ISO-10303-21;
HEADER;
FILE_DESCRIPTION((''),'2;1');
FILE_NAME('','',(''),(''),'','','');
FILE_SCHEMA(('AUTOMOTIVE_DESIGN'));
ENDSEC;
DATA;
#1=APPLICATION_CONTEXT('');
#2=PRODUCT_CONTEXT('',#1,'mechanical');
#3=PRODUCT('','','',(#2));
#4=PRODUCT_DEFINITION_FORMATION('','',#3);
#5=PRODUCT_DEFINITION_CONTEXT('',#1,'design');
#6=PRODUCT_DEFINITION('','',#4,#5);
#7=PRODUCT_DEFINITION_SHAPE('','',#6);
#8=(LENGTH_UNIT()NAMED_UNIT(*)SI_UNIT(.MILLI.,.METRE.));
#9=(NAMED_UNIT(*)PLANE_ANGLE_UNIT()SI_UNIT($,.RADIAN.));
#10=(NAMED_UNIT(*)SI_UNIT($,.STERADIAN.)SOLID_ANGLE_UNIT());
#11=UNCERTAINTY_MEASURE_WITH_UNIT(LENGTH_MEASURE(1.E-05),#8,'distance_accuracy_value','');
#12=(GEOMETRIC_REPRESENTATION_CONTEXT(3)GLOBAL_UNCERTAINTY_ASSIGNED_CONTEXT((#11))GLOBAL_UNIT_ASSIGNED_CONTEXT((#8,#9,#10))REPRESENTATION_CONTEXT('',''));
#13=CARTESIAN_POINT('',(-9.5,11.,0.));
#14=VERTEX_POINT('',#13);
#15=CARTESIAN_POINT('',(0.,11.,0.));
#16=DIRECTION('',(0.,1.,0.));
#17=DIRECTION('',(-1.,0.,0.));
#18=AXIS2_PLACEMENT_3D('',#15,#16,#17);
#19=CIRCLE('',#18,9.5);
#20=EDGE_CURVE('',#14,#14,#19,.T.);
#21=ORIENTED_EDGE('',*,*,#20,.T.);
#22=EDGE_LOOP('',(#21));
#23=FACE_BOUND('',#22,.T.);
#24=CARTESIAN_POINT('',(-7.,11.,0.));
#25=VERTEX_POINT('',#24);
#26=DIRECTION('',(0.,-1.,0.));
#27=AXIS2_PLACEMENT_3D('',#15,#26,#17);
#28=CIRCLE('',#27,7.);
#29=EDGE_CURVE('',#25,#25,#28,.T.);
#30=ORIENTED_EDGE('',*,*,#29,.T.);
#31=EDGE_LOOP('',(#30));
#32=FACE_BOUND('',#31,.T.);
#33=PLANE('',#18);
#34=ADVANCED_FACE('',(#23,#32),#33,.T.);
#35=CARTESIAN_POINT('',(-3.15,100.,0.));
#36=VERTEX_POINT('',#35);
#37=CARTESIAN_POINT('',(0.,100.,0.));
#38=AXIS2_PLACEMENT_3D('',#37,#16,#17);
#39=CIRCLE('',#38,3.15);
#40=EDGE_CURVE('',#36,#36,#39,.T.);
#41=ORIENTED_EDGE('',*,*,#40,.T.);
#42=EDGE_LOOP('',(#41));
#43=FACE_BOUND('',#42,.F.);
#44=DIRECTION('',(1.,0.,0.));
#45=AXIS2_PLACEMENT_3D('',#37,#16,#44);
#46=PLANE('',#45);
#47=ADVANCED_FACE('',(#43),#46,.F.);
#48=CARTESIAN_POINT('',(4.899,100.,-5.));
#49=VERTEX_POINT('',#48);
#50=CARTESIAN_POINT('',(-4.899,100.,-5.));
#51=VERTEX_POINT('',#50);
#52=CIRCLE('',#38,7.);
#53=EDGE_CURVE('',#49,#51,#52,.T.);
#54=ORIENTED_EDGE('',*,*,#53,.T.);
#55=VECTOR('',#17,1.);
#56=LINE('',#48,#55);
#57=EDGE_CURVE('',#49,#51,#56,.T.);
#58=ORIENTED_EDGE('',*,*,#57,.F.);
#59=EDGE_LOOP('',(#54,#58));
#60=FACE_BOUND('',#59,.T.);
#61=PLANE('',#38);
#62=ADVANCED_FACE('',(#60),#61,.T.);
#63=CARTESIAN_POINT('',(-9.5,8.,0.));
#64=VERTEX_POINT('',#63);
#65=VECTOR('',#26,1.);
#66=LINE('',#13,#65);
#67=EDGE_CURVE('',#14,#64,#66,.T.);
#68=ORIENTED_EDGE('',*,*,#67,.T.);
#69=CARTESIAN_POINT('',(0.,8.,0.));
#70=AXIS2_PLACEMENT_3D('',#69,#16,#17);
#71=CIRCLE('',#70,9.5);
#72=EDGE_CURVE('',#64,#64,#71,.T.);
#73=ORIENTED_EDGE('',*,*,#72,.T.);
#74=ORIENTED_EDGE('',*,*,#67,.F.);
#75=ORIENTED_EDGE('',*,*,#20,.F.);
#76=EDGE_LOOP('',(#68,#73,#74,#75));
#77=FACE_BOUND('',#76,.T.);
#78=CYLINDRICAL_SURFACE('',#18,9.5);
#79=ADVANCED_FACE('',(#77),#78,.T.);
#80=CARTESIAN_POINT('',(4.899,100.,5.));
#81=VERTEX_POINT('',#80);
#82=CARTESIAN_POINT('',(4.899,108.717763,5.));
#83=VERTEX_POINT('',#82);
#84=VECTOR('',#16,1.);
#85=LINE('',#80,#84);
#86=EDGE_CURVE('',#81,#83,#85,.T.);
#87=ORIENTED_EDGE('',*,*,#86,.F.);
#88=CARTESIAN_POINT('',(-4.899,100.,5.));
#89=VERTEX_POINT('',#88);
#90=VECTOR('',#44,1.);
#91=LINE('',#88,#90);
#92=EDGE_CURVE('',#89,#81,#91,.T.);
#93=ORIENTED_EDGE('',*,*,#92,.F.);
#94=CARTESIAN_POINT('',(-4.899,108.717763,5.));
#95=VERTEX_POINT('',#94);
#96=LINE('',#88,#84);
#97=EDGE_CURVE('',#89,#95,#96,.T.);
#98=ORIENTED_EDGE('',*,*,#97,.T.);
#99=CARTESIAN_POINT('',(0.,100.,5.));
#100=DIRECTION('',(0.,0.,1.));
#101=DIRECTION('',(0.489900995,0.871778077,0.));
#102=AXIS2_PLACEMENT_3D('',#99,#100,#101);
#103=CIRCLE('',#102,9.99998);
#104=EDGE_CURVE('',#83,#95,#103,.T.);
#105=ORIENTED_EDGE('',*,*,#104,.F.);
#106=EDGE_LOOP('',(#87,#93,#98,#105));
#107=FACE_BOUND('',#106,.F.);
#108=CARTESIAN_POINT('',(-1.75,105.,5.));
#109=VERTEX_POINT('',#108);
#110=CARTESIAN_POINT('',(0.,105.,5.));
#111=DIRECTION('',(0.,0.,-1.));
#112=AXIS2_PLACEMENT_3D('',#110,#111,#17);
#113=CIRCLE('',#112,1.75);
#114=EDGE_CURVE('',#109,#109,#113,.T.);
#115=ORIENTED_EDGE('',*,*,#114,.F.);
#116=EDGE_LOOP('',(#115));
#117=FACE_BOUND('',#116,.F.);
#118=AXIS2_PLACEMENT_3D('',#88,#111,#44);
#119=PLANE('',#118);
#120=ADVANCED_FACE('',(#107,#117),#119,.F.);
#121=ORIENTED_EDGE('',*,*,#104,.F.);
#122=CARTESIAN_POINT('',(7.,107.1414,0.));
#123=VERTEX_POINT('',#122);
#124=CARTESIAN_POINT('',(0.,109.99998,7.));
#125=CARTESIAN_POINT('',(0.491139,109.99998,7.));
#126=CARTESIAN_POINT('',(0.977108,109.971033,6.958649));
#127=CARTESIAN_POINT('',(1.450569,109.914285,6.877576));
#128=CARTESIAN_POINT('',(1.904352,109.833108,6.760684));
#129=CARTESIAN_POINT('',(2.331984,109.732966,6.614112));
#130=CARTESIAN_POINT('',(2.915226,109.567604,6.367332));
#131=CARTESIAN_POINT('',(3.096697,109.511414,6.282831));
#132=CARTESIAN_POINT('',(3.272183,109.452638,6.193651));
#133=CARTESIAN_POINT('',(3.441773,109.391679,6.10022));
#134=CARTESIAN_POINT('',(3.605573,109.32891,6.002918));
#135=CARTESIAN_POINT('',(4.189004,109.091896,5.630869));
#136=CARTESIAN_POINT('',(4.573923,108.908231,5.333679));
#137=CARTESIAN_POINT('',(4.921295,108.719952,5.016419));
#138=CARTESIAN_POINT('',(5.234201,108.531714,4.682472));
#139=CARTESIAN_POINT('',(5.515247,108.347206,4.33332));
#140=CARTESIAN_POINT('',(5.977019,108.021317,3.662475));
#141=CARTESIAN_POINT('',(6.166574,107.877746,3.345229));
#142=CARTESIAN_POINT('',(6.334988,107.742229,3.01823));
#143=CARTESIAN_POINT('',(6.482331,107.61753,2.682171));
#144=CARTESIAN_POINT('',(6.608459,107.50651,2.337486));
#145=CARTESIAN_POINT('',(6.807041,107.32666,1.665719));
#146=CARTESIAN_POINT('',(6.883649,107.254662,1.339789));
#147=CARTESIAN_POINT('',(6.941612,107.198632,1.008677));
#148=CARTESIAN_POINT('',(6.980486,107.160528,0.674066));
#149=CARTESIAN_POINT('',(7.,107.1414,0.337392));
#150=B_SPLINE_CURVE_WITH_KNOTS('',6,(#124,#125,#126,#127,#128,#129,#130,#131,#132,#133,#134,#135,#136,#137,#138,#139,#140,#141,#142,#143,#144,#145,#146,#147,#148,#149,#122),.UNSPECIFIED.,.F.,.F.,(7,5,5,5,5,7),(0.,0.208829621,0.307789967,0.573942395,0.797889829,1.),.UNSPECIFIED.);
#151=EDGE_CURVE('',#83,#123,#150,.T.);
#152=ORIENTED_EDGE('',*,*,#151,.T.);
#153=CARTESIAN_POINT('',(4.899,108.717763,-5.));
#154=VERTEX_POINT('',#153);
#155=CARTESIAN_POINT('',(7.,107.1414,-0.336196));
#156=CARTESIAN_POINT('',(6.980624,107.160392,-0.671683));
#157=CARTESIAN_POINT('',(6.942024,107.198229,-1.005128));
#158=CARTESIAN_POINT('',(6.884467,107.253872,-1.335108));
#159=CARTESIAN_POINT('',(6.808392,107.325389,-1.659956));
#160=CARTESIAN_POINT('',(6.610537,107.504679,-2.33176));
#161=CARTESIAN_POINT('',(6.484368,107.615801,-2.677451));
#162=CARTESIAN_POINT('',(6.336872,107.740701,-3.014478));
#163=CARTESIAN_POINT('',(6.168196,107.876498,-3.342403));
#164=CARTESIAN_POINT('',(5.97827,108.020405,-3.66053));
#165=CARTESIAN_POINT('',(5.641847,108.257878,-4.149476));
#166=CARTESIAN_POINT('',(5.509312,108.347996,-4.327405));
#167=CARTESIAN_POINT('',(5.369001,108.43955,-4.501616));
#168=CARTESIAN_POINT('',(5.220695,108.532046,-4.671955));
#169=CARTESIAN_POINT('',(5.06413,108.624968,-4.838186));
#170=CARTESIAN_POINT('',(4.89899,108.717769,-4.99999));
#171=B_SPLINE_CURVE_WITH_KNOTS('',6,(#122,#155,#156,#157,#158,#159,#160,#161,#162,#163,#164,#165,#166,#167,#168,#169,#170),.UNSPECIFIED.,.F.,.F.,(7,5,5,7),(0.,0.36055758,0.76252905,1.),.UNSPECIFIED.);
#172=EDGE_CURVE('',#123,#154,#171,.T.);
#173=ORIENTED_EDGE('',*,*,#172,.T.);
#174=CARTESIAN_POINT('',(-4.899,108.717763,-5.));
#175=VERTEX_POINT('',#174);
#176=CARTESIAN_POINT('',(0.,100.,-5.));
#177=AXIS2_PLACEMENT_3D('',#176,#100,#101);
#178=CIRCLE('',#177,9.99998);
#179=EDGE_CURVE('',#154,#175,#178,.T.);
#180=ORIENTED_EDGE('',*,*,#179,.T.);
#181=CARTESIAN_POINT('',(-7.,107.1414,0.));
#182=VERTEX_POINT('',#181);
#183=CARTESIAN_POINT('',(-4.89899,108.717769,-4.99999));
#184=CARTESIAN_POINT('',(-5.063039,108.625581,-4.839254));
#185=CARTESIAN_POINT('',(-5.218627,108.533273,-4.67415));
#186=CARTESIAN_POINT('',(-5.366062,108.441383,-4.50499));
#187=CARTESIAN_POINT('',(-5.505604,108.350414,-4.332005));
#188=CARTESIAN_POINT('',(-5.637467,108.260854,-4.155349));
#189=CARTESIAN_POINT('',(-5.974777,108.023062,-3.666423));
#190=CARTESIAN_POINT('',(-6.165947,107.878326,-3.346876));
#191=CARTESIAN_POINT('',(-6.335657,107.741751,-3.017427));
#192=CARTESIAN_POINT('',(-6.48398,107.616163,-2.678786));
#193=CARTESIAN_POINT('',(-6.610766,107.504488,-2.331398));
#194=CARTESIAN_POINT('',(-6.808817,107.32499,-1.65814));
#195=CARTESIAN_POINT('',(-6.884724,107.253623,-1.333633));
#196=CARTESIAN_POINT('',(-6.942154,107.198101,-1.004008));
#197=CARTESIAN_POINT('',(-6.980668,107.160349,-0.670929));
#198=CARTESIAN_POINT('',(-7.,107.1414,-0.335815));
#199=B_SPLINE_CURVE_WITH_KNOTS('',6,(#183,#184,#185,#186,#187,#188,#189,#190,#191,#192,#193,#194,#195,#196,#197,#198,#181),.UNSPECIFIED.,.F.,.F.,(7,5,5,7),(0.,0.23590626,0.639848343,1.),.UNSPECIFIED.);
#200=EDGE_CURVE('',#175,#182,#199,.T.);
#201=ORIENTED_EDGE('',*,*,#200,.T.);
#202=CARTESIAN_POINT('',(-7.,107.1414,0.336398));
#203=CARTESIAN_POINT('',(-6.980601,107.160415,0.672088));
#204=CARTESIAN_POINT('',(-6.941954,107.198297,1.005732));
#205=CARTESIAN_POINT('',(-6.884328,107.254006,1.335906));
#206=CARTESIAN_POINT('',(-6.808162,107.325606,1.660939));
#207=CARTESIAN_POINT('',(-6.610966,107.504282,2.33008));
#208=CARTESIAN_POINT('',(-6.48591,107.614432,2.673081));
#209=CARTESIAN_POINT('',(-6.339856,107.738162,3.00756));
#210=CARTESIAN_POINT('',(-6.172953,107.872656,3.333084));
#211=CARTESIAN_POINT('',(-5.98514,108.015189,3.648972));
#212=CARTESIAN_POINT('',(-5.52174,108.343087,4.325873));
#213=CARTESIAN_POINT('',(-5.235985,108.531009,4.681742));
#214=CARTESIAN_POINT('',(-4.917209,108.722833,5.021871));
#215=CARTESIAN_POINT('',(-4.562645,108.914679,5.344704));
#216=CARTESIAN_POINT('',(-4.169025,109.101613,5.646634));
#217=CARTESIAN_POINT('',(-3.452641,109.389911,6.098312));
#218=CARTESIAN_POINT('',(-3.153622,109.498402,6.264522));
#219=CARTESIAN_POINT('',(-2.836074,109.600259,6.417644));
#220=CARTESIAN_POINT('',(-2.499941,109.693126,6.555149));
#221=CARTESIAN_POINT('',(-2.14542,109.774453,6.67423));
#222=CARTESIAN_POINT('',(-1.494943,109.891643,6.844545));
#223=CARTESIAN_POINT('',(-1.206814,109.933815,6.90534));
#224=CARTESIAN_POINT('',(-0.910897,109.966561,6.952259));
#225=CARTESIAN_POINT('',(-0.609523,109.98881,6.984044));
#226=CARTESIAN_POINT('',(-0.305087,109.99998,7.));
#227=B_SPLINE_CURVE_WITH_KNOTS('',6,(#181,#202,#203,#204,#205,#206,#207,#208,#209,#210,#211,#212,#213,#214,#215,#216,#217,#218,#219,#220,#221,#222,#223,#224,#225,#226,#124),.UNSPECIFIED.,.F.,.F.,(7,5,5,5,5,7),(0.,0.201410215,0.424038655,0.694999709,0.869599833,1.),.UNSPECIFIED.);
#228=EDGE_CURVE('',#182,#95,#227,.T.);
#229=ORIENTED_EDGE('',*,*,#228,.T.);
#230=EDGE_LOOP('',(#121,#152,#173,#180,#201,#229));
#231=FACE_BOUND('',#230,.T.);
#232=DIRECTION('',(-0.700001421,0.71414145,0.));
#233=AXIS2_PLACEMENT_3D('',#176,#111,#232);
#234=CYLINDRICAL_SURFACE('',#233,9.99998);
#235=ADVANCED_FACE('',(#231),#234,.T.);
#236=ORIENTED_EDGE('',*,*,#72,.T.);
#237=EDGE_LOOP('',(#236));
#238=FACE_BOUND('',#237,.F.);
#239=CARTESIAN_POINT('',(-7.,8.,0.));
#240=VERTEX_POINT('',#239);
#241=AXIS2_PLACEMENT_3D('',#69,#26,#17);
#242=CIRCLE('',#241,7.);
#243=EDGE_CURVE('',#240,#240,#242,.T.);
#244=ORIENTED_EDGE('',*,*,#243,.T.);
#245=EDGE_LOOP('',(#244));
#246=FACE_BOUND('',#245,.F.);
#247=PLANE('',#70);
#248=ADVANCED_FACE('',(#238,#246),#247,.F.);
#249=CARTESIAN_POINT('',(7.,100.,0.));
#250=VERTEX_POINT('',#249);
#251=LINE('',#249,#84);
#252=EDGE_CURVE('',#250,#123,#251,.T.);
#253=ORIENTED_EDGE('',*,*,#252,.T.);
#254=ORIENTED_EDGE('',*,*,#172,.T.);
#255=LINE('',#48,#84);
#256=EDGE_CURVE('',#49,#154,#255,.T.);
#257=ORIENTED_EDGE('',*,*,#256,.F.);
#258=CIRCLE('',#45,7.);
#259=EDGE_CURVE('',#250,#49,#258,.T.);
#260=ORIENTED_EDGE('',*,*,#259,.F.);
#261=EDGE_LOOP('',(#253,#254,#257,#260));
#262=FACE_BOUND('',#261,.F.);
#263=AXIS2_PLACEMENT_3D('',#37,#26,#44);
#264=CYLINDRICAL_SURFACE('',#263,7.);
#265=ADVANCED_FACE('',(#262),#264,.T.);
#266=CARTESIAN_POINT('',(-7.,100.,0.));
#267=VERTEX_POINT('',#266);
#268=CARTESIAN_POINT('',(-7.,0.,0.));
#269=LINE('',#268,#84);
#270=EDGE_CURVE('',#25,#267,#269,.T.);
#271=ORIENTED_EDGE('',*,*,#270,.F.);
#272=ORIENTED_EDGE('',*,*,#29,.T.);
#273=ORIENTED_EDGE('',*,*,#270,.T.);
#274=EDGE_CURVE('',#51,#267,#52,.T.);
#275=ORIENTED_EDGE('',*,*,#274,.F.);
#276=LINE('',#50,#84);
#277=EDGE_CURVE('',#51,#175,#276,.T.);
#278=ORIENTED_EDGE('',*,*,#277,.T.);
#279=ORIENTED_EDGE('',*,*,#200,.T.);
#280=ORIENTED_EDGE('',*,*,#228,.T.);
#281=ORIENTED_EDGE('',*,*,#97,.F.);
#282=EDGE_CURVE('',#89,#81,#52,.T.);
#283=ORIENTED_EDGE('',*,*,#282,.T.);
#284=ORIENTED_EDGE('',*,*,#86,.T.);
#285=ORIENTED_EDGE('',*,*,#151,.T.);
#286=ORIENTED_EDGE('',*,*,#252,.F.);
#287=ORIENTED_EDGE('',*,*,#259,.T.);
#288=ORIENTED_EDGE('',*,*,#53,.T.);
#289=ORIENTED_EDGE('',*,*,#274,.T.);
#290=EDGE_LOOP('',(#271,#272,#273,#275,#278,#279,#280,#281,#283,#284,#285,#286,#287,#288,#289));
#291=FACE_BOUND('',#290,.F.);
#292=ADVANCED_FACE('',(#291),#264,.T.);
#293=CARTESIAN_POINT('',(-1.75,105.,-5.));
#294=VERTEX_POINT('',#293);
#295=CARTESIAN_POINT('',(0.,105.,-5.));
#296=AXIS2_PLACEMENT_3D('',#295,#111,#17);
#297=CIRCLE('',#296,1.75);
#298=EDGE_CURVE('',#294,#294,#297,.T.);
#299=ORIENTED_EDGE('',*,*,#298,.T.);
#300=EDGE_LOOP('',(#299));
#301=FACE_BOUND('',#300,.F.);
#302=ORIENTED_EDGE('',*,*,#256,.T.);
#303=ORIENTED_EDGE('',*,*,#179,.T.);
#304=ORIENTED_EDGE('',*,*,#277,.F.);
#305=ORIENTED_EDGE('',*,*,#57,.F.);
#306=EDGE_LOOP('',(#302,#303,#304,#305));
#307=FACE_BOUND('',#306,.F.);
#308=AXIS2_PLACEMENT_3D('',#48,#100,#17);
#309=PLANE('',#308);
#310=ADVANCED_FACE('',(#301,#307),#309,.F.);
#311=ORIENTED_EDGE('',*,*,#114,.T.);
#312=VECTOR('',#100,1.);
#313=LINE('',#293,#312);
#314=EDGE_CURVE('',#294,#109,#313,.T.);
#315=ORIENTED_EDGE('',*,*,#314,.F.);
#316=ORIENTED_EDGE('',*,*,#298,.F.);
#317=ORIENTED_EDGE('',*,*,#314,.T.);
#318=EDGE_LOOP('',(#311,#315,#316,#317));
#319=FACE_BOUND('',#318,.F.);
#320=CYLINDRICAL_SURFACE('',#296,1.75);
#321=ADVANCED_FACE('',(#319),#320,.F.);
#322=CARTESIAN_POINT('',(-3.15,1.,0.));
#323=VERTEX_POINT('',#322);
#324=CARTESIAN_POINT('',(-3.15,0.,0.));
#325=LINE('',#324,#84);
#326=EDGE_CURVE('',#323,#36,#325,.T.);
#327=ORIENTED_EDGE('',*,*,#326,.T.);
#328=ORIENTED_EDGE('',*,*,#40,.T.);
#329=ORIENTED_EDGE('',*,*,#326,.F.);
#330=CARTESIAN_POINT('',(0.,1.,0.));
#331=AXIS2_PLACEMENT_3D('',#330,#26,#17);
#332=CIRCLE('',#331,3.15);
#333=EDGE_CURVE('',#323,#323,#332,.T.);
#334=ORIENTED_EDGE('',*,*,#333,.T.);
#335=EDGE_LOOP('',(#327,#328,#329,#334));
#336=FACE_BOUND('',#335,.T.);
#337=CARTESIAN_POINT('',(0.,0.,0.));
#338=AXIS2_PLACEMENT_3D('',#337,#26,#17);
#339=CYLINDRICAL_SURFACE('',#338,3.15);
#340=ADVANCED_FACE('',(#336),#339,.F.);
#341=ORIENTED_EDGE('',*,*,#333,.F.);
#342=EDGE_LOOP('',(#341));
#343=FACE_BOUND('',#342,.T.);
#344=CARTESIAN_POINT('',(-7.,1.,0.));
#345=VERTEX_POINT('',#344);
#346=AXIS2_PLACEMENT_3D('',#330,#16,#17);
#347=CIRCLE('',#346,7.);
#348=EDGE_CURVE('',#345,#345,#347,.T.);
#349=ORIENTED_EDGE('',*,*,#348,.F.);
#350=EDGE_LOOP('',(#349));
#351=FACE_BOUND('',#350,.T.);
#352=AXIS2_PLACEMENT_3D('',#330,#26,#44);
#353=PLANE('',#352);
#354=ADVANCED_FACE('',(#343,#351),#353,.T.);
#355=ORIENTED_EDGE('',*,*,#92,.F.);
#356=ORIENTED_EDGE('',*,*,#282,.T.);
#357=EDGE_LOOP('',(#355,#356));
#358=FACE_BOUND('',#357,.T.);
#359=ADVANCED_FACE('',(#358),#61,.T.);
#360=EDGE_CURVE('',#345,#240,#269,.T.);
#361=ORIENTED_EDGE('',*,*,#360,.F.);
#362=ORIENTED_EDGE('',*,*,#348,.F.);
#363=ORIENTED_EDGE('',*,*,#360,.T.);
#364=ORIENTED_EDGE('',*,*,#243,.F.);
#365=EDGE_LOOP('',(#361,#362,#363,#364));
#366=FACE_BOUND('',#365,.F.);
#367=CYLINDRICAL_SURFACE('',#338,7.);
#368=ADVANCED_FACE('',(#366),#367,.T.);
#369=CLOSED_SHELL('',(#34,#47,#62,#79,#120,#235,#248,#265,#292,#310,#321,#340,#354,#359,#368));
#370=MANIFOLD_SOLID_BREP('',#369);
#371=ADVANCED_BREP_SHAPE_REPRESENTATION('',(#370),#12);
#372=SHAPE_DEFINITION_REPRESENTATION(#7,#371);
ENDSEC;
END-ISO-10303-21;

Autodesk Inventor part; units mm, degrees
ref_plane "YZ Plane" through (0, 0, 0) normal (1, 0, 0) x (0, 1, 0)
ref_plane "XY Plane" through (0, 0, 0) normal (0, 0, 1) x (1, 0, 0)
sketch "草圖1" plane through (0, 0, 0) normal (0, 1, 0) x (-1, 0, 0)
  circle A0 centre (0, 0) radius 3.15
  circle A1 centre (0, 0) radius 7
  dimension "d0" = 6.3
  dimension "d1" = 14
extrude "擠出1" add sketch "草圖1" along normal blind 100
sketch "草圖2" plane through (0, 100, 0) normal (0, 1, 0) x (1, 0, 0)
  line L0 (0, 0) -> (0, -5) construction
  circle A0 centre (0, 0) radius 7 projected
  line L1 (-4.899, -5) -> (4.899, -5)
  line L2 (0, 0) -> (0, 5) construction
  line L3 (4.899, 5) -> (-4.899, 5)
  point P0 (-5.3619, -4.5)
  point P1 (-5.3619, 4.5)
  point P2 (5.3619, 4.5)
  dimension "d4" = 5
  dimension "d38" = 5
ref_plane "工作平面1" through (0, 50, 0) normal (0, 1, 0) x (-1, 0, 0)
ref_plane "工作平面2" through (0, 11, 0) normal (0, 1, 0) x (-1, 0, 0)
sketch "草圖10" plane through (0, 11, 0) normal (0, 1, 0) x (-1, 0, 0)
  circle A0 centre (0, 0) radius 3.15
  circle A1 centre (0, 0) radius 9.5
  dimension "d30" = 6.3
  dimension "d31" = 19
extrude "擠出9" add sketch "草圖10" against normal blind 3
extrude "擠出11" add sketch "草圖2" along normal blind 10 contours A0 L1 L3
sketch "草圖12" plane through (4.899, 100, -5) normal (0, 0, -1) x (-1, 0, 0)
  circle A0 centre (4.899, 5) radius 1.75
  line L0 (9.798, 0) -> (0, 0) projected
  arc A1 (11.899, 7.1414) -> (-2.101, 7.1414) centre (4.899, 0) ccw
  line L1 (-2.101, -89) -> (-2.101, 10) projected
  line L2 (-2.101, 7.1414) -> (-2.101, 0)
  line L3 (-2.101, -89) -> (-2.101, 10) projected
  line L4 (11.899, -89) -> (11.899, 10) projected
  line L5 (11.899, 0) -> (-2.101, 0)
  line L6 (11.899, -89) -> (11.899, 10) projected
  line L7 (11.899, 0) -> (11.899, 7.1414)
  line L8 (11.899, -89) -> (11.899, 10) projected
  line L9 (-2.101, 7.1414) -> (-2.101, 10)
  line L10 (0, 10) -> (-2.101, 10) projected
  line L11 (11.899, 10) -> (-2.101, 10)
  line L12 (11.899, 7.1414) -> (11.899, 10)
  point P0 (4.899, -100)
  dimension "d41" = 3.5
  dimension "d44" = 20
extrude "擠出12" cut sketch "草圖12" against normal up to next contours A0
extrude "擠出13" cut sketch "草圖12" against normal up to next contours A1 L11 L4 | L1 L10 L11 A1
sketch "Sketch13" plane through (0, 0, 0) normal (0, -1, 0) x (1, 0, 0)
  circle A0 centre (0, 0) radius 7 projected
  circle A1 centre (0, 0) radius 7
extrude "Extrusion14" cut sketch "Sketch13" against normal blind 1
properties part number "筷子套"
